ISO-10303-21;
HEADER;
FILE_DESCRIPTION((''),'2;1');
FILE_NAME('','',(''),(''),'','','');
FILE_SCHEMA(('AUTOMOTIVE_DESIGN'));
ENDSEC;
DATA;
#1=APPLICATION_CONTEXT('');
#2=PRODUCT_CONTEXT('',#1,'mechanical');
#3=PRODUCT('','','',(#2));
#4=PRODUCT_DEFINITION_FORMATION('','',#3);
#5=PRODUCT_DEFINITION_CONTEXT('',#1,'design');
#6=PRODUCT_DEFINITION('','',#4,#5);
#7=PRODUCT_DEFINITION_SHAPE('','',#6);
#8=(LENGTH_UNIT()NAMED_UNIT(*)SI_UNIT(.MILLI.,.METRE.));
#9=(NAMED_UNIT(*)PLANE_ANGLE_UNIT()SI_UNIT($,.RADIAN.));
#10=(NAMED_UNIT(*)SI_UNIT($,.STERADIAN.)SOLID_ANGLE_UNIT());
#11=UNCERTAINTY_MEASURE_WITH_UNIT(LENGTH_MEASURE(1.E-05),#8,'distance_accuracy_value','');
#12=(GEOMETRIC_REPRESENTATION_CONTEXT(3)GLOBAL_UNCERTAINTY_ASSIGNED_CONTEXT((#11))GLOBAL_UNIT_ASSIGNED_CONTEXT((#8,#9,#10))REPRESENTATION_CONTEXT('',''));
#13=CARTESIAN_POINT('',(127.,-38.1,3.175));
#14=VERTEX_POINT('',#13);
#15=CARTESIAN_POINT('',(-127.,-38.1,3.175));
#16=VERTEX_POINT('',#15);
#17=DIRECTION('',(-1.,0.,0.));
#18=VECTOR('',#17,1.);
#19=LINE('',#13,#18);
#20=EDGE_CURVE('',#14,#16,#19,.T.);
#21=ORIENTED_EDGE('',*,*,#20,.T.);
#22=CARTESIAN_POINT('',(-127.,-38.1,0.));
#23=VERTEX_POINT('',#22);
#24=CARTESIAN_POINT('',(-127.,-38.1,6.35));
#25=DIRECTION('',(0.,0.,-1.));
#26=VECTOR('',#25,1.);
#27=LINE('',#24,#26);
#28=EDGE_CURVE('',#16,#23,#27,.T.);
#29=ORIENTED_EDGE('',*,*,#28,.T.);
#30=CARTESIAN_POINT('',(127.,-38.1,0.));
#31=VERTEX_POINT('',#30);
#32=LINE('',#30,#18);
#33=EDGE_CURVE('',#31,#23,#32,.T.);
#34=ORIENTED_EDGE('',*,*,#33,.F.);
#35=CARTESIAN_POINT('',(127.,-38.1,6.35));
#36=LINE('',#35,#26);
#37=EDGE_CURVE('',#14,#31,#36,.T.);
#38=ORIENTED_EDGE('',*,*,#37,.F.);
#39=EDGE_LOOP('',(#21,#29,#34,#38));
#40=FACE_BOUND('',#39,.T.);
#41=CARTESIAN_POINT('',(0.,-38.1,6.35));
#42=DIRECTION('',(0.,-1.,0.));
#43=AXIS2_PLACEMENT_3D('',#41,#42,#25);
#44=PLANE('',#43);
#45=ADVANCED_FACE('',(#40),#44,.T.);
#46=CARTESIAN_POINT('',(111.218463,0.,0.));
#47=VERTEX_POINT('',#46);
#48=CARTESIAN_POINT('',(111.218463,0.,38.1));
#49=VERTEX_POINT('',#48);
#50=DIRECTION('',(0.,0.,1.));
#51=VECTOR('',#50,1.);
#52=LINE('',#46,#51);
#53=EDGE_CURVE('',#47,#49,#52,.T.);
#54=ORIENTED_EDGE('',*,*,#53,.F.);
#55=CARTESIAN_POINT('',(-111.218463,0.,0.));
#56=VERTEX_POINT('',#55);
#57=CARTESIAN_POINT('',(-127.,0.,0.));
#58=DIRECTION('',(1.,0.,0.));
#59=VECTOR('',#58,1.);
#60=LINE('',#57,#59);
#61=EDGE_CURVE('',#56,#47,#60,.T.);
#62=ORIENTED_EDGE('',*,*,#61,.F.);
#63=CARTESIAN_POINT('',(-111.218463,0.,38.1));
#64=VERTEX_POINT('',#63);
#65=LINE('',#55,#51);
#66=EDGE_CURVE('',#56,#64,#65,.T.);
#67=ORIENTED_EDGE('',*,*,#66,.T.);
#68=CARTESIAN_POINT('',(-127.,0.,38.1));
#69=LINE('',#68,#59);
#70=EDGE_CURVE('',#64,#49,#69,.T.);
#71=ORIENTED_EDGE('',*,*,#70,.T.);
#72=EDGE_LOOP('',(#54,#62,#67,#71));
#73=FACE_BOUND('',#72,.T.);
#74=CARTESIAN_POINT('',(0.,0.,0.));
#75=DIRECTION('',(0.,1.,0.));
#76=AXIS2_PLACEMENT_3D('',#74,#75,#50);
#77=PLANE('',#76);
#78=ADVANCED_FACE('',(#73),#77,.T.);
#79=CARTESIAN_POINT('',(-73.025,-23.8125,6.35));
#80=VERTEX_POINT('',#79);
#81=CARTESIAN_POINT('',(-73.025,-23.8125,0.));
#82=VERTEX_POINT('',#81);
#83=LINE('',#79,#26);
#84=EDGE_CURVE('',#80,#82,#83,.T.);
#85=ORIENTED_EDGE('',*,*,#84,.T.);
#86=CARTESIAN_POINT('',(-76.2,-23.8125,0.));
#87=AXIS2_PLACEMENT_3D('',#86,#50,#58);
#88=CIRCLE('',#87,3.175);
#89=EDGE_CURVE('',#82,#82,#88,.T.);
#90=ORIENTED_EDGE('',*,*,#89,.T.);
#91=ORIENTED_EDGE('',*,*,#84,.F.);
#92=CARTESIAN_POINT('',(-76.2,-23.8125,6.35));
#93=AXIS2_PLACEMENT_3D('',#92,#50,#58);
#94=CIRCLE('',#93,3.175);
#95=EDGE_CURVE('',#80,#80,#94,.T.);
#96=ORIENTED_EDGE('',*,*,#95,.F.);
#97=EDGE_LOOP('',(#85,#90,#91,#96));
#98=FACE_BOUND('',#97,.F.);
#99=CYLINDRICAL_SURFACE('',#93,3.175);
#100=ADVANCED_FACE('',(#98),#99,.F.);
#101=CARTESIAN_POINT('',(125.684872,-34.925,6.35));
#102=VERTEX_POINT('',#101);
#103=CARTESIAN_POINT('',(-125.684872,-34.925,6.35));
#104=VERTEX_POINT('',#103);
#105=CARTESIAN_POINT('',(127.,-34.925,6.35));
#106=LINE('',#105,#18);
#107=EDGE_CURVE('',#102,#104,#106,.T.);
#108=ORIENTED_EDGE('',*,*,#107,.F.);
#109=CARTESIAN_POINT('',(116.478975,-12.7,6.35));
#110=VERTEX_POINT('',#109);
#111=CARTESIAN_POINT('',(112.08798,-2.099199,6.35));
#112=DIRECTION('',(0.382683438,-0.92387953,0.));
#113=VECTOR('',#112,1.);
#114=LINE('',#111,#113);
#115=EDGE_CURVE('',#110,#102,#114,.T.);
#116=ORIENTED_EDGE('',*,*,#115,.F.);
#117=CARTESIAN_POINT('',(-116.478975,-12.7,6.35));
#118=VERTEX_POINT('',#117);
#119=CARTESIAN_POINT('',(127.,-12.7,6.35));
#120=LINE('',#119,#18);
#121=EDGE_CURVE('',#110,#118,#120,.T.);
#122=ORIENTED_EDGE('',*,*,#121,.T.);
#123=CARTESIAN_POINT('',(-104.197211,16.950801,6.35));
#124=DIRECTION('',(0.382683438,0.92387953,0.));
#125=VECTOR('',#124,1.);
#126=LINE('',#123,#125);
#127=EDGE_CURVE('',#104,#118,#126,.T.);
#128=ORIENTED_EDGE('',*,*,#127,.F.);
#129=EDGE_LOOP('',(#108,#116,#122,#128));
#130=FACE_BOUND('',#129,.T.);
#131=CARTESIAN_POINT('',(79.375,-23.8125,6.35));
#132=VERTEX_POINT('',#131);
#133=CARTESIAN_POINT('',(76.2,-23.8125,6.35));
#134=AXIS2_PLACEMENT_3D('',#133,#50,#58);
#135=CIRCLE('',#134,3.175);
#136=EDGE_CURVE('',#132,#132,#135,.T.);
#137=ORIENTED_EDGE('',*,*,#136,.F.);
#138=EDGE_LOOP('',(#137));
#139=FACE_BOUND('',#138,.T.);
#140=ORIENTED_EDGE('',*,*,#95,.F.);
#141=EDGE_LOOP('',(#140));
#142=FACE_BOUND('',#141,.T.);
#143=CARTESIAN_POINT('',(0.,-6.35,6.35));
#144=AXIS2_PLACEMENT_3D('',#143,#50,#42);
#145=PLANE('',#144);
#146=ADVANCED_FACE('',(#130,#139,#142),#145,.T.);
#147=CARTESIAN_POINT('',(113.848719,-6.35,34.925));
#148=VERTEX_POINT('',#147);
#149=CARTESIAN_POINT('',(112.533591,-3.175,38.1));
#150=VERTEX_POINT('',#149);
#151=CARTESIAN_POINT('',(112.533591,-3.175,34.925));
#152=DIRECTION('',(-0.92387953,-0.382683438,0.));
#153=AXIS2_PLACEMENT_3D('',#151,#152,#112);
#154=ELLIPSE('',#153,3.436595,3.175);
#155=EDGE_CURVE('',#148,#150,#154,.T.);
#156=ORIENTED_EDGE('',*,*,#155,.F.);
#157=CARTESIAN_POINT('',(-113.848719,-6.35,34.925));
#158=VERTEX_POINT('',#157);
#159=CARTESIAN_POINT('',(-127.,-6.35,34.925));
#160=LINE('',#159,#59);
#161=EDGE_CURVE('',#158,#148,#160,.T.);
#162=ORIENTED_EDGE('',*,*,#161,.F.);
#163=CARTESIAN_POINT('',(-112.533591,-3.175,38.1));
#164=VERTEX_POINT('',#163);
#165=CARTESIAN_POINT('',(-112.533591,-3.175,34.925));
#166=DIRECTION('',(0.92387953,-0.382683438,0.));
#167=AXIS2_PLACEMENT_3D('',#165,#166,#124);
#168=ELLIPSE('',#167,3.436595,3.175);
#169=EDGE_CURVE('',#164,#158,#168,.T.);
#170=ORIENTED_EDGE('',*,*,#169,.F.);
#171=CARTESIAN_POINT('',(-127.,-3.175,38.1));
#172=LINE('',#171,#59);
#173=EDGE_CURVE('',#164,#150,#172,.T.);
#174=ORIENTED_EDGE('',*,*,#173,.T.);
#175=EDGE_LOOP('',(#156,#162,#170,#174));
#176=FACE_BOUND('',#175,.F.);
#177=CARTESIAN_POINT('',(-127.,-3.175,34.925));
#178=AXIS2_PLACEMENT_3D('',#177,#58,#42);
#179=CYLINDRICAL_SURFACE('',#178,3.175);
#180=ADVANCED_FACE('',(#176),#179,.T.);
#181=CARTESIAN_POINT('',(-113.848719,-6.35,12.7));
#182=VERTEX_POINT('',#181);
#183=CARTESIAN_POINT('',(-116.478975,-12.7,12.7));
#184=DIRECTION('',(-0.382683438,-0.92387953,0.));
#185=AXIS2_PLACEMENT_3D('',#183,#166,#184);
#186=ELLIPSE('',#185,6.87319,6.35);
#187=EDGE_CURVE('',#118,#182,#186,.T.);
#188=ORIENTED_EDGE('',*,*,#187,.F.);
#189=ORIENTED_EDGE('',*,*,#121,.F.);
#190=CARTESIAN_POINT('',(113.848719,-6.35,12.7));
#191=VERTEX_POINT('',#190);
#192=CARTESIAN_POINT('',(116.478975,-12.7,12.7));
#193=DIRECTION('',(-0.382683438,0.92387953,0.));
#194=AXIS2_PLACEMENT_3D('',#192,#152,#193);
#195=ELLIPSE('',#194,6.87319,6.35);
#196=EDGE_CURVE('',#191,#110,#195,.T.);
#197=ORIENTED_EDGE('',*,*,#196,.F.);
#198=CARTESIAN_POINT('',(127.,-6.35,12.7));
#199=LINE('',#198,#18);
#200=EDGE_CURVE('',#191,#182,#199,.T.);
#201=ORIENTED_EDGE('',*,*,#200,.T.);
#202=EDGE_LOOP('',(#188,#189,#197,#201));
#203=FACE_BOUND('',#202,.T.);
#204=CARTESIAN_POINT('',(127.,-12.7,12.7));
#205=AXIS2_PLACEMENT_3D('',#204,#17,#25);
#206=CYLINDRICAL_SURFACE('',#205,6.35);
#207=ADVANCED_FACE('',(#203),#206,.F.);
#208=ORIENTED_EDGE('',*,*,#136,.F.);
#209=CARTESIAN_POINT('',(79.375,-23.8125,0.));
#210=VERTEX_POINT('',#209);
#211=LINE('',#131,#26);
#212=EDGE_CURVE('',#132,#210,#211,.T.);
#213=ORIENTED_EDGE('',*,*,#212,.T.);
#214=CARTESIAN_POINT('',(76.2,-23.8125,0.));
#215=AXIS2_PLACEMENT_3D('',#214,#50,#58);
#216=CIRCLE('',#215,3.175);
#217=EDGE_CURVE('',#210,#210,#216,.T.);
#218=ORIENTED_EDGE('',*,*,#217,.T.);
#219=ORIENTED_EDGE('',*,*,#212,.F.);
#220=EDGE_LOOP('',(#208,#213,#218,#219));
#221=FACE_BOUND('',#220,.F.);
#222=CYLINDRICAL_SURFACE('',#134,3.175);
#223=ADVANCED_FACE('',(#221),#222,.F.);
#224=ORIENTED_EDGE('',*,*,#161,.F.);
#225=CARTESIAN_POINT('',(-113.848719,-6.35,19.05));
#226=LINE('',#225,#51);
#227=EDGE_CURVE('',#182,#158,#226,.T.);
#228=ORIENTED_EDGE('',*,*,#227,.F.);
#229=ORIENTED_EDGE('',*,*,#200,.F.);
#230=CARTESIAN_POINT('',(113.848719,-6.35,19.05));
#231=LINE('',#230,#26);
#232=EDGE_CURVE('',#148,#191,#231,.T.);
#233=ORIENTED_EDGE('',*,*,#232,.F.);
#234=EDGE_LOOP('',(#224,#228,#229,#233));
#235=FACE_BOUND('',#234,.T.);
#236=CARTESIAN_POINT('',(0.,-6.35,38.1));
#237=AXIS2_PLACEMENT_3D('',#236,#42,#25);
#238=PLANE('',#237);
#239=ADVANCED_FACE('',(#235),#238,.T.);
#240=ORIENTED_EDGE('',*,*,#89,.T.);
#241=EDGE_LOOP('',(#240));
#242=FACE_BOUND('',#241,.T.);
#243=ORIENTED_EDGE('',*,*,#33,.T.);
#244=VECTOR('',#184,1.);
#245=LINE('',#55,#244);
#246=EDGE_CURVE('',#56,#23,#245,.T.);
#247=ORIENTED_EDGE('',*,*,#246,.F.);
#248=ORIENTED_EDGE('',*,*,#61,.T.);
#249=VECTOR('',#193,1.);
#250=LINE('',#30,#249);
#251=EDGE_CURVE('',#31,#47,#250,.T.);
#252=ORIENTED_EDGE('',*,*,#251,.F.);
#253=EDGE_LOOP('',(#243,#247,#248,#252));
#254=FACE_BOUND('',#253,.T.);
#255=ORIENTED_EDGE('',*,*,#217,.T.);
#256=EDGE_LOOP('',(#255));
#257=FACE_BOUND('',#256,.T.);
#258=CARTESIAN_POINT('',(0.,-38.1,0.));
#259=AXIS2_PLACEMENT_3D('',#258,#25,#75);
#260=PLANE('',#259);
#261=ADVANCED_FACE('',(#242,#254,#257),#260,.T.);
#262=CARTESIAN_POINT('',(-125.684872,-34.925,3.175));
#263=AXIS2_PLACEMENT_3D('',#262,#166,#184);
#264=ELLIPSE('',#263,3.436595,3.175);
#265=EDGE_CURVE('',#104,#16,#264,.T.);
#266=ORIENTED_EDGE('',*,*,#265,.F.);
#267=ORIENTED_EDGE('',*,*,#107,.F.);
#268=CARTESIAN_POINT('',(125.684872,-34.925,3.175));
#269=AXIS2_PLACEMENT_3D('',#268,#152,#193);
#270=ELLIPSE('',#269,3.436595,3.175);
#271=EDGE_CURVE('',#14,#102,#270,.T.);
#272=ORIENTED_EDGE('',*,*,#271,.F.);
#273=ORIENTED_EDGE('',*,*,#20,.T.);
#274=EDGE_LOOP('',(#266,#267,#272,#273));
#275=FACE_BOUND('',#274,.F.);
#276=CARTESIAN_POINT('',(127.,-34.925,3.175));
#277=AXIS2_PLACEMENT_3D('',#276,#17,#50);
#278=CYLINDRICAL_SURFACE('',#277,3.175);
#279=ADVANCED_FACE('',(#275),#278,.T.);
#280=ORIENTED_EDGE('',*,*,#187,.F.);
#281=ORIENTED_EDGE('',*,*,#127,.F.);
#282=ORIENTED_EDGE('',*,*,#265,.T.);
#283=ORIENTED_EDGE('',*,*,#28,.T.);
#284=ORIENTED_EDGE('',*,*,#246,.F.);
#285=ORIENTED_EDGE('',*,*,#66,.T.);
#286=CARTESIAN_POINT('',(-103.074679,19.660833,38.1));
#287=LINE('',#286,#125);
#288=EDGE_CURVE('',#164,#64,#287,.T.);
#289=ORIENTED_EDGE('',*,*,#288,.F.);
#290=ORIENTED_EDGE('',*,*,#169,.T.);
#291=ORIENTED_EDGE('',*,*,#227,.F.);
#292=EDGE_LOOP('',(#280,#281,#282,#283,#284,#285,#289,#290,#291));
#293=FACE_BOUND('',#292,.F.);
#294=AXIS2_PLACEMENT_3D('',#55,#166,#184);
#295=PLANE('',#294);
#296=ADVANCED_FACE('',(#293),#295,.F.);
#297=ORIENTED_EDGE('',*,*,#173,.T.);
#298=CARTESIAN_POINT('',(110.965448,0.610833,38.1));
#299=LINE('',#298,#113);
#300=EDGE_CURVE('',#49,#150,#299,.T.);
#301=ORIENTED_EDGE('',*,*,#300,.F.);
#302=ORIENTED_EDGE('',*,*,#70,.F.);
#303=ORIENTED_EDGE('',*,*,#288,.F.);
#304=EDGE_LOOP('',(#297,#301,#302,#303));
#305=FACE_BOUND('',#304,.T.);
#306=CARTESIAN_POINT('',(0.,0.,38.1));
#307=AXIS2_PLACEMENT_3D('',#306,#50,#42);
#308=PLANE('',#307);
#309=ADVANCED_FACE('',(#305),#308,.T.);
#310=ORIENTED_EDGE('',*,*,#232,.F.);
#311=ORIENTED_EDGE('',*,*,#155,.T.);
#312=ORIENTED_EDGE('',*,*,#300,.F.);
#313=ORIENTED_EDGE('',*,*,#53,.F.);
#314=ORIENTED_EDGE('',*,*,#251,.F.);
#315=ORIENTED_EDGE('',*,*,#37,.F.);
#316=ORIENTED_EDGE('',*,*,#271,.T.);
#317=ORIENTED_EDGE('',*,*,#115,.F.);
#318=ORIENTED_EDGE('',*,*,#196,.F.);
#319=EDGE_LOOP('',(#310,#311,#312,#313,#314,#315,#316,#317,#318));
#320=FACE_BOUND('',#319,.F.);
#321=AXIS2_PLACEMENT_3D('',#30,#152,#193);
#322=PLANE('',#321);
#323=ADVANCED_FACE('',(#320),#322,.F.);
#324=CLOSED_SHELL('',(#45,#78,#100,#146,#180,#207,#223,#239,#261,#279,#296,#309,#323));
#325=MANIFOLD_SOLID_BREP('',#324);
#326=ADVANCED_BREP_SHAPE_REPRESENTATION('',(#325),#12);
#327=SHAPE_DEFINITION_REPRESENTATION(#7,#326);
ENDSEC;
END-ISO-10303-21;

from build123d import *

# Parameters (mm, degrees)
F1_DEPTH = 127
F2_R     = 6.35
F3_R     = 3.175
F4_R     = 3.175
F5_DEPTH = 6.351
F7_DEPTH = 38.101


with BuildPart() as f1:
    # F0 (on Right) → F1 (new body, symmetric)
    with BuildSketch(Plane.YZ):
        Polygon((-38.1, 0), (0, 0), (0, 38.1), (-6.35, 38.1), (-6.35, 6.35), (-38.1, 6.35), align=None)
    extrude(amount=F1_DEPTH, both=True)

    # F2
    f2_edges = [f1.edges().sort_by_distance(p)[0] for p in [
        (0, -6.35, 6.35),
    ]]
    fillet(f2_edges, radius=F2_R)

    # F3
    f3_edges = [f1.edges().sort_by_distance(p)[0] for p in [
        (0, -6.35, 38.1),
        (0, -38.1, 6.35),
    ]]
    fillet(f3_edges, radius=F3_R)

    # F4 (on face) → F5 (cut, through all)
    with BuildSketch(Plane.XY.offset(6.35)):
        with Locations((-76.2, -23.8125)):
            Circle(F4_R)
        with Locations((76.2, -23.8125)):
            Circle(F4_R)
    extrude(amount=-F5_DEPTH, mode=Mode.SUBTRACT)

    # F6 (on face) → F7 (cut, through all)
    with BuildSketch(Plane(origin=(0, 0, 0), x_dir=(1, 0, 0), z_dir=(0, 0, -1))):
        Polygon((-111.218463, 0), (-127, 38.1), (-127, 0), align=None)
        Polygon((111.218463, 0), (127, 0), (127, 38.1), align=None)
    extrude(amount=-F7_DEPTH, mode=Mode.SUBTRACT)


solid = f1.part
